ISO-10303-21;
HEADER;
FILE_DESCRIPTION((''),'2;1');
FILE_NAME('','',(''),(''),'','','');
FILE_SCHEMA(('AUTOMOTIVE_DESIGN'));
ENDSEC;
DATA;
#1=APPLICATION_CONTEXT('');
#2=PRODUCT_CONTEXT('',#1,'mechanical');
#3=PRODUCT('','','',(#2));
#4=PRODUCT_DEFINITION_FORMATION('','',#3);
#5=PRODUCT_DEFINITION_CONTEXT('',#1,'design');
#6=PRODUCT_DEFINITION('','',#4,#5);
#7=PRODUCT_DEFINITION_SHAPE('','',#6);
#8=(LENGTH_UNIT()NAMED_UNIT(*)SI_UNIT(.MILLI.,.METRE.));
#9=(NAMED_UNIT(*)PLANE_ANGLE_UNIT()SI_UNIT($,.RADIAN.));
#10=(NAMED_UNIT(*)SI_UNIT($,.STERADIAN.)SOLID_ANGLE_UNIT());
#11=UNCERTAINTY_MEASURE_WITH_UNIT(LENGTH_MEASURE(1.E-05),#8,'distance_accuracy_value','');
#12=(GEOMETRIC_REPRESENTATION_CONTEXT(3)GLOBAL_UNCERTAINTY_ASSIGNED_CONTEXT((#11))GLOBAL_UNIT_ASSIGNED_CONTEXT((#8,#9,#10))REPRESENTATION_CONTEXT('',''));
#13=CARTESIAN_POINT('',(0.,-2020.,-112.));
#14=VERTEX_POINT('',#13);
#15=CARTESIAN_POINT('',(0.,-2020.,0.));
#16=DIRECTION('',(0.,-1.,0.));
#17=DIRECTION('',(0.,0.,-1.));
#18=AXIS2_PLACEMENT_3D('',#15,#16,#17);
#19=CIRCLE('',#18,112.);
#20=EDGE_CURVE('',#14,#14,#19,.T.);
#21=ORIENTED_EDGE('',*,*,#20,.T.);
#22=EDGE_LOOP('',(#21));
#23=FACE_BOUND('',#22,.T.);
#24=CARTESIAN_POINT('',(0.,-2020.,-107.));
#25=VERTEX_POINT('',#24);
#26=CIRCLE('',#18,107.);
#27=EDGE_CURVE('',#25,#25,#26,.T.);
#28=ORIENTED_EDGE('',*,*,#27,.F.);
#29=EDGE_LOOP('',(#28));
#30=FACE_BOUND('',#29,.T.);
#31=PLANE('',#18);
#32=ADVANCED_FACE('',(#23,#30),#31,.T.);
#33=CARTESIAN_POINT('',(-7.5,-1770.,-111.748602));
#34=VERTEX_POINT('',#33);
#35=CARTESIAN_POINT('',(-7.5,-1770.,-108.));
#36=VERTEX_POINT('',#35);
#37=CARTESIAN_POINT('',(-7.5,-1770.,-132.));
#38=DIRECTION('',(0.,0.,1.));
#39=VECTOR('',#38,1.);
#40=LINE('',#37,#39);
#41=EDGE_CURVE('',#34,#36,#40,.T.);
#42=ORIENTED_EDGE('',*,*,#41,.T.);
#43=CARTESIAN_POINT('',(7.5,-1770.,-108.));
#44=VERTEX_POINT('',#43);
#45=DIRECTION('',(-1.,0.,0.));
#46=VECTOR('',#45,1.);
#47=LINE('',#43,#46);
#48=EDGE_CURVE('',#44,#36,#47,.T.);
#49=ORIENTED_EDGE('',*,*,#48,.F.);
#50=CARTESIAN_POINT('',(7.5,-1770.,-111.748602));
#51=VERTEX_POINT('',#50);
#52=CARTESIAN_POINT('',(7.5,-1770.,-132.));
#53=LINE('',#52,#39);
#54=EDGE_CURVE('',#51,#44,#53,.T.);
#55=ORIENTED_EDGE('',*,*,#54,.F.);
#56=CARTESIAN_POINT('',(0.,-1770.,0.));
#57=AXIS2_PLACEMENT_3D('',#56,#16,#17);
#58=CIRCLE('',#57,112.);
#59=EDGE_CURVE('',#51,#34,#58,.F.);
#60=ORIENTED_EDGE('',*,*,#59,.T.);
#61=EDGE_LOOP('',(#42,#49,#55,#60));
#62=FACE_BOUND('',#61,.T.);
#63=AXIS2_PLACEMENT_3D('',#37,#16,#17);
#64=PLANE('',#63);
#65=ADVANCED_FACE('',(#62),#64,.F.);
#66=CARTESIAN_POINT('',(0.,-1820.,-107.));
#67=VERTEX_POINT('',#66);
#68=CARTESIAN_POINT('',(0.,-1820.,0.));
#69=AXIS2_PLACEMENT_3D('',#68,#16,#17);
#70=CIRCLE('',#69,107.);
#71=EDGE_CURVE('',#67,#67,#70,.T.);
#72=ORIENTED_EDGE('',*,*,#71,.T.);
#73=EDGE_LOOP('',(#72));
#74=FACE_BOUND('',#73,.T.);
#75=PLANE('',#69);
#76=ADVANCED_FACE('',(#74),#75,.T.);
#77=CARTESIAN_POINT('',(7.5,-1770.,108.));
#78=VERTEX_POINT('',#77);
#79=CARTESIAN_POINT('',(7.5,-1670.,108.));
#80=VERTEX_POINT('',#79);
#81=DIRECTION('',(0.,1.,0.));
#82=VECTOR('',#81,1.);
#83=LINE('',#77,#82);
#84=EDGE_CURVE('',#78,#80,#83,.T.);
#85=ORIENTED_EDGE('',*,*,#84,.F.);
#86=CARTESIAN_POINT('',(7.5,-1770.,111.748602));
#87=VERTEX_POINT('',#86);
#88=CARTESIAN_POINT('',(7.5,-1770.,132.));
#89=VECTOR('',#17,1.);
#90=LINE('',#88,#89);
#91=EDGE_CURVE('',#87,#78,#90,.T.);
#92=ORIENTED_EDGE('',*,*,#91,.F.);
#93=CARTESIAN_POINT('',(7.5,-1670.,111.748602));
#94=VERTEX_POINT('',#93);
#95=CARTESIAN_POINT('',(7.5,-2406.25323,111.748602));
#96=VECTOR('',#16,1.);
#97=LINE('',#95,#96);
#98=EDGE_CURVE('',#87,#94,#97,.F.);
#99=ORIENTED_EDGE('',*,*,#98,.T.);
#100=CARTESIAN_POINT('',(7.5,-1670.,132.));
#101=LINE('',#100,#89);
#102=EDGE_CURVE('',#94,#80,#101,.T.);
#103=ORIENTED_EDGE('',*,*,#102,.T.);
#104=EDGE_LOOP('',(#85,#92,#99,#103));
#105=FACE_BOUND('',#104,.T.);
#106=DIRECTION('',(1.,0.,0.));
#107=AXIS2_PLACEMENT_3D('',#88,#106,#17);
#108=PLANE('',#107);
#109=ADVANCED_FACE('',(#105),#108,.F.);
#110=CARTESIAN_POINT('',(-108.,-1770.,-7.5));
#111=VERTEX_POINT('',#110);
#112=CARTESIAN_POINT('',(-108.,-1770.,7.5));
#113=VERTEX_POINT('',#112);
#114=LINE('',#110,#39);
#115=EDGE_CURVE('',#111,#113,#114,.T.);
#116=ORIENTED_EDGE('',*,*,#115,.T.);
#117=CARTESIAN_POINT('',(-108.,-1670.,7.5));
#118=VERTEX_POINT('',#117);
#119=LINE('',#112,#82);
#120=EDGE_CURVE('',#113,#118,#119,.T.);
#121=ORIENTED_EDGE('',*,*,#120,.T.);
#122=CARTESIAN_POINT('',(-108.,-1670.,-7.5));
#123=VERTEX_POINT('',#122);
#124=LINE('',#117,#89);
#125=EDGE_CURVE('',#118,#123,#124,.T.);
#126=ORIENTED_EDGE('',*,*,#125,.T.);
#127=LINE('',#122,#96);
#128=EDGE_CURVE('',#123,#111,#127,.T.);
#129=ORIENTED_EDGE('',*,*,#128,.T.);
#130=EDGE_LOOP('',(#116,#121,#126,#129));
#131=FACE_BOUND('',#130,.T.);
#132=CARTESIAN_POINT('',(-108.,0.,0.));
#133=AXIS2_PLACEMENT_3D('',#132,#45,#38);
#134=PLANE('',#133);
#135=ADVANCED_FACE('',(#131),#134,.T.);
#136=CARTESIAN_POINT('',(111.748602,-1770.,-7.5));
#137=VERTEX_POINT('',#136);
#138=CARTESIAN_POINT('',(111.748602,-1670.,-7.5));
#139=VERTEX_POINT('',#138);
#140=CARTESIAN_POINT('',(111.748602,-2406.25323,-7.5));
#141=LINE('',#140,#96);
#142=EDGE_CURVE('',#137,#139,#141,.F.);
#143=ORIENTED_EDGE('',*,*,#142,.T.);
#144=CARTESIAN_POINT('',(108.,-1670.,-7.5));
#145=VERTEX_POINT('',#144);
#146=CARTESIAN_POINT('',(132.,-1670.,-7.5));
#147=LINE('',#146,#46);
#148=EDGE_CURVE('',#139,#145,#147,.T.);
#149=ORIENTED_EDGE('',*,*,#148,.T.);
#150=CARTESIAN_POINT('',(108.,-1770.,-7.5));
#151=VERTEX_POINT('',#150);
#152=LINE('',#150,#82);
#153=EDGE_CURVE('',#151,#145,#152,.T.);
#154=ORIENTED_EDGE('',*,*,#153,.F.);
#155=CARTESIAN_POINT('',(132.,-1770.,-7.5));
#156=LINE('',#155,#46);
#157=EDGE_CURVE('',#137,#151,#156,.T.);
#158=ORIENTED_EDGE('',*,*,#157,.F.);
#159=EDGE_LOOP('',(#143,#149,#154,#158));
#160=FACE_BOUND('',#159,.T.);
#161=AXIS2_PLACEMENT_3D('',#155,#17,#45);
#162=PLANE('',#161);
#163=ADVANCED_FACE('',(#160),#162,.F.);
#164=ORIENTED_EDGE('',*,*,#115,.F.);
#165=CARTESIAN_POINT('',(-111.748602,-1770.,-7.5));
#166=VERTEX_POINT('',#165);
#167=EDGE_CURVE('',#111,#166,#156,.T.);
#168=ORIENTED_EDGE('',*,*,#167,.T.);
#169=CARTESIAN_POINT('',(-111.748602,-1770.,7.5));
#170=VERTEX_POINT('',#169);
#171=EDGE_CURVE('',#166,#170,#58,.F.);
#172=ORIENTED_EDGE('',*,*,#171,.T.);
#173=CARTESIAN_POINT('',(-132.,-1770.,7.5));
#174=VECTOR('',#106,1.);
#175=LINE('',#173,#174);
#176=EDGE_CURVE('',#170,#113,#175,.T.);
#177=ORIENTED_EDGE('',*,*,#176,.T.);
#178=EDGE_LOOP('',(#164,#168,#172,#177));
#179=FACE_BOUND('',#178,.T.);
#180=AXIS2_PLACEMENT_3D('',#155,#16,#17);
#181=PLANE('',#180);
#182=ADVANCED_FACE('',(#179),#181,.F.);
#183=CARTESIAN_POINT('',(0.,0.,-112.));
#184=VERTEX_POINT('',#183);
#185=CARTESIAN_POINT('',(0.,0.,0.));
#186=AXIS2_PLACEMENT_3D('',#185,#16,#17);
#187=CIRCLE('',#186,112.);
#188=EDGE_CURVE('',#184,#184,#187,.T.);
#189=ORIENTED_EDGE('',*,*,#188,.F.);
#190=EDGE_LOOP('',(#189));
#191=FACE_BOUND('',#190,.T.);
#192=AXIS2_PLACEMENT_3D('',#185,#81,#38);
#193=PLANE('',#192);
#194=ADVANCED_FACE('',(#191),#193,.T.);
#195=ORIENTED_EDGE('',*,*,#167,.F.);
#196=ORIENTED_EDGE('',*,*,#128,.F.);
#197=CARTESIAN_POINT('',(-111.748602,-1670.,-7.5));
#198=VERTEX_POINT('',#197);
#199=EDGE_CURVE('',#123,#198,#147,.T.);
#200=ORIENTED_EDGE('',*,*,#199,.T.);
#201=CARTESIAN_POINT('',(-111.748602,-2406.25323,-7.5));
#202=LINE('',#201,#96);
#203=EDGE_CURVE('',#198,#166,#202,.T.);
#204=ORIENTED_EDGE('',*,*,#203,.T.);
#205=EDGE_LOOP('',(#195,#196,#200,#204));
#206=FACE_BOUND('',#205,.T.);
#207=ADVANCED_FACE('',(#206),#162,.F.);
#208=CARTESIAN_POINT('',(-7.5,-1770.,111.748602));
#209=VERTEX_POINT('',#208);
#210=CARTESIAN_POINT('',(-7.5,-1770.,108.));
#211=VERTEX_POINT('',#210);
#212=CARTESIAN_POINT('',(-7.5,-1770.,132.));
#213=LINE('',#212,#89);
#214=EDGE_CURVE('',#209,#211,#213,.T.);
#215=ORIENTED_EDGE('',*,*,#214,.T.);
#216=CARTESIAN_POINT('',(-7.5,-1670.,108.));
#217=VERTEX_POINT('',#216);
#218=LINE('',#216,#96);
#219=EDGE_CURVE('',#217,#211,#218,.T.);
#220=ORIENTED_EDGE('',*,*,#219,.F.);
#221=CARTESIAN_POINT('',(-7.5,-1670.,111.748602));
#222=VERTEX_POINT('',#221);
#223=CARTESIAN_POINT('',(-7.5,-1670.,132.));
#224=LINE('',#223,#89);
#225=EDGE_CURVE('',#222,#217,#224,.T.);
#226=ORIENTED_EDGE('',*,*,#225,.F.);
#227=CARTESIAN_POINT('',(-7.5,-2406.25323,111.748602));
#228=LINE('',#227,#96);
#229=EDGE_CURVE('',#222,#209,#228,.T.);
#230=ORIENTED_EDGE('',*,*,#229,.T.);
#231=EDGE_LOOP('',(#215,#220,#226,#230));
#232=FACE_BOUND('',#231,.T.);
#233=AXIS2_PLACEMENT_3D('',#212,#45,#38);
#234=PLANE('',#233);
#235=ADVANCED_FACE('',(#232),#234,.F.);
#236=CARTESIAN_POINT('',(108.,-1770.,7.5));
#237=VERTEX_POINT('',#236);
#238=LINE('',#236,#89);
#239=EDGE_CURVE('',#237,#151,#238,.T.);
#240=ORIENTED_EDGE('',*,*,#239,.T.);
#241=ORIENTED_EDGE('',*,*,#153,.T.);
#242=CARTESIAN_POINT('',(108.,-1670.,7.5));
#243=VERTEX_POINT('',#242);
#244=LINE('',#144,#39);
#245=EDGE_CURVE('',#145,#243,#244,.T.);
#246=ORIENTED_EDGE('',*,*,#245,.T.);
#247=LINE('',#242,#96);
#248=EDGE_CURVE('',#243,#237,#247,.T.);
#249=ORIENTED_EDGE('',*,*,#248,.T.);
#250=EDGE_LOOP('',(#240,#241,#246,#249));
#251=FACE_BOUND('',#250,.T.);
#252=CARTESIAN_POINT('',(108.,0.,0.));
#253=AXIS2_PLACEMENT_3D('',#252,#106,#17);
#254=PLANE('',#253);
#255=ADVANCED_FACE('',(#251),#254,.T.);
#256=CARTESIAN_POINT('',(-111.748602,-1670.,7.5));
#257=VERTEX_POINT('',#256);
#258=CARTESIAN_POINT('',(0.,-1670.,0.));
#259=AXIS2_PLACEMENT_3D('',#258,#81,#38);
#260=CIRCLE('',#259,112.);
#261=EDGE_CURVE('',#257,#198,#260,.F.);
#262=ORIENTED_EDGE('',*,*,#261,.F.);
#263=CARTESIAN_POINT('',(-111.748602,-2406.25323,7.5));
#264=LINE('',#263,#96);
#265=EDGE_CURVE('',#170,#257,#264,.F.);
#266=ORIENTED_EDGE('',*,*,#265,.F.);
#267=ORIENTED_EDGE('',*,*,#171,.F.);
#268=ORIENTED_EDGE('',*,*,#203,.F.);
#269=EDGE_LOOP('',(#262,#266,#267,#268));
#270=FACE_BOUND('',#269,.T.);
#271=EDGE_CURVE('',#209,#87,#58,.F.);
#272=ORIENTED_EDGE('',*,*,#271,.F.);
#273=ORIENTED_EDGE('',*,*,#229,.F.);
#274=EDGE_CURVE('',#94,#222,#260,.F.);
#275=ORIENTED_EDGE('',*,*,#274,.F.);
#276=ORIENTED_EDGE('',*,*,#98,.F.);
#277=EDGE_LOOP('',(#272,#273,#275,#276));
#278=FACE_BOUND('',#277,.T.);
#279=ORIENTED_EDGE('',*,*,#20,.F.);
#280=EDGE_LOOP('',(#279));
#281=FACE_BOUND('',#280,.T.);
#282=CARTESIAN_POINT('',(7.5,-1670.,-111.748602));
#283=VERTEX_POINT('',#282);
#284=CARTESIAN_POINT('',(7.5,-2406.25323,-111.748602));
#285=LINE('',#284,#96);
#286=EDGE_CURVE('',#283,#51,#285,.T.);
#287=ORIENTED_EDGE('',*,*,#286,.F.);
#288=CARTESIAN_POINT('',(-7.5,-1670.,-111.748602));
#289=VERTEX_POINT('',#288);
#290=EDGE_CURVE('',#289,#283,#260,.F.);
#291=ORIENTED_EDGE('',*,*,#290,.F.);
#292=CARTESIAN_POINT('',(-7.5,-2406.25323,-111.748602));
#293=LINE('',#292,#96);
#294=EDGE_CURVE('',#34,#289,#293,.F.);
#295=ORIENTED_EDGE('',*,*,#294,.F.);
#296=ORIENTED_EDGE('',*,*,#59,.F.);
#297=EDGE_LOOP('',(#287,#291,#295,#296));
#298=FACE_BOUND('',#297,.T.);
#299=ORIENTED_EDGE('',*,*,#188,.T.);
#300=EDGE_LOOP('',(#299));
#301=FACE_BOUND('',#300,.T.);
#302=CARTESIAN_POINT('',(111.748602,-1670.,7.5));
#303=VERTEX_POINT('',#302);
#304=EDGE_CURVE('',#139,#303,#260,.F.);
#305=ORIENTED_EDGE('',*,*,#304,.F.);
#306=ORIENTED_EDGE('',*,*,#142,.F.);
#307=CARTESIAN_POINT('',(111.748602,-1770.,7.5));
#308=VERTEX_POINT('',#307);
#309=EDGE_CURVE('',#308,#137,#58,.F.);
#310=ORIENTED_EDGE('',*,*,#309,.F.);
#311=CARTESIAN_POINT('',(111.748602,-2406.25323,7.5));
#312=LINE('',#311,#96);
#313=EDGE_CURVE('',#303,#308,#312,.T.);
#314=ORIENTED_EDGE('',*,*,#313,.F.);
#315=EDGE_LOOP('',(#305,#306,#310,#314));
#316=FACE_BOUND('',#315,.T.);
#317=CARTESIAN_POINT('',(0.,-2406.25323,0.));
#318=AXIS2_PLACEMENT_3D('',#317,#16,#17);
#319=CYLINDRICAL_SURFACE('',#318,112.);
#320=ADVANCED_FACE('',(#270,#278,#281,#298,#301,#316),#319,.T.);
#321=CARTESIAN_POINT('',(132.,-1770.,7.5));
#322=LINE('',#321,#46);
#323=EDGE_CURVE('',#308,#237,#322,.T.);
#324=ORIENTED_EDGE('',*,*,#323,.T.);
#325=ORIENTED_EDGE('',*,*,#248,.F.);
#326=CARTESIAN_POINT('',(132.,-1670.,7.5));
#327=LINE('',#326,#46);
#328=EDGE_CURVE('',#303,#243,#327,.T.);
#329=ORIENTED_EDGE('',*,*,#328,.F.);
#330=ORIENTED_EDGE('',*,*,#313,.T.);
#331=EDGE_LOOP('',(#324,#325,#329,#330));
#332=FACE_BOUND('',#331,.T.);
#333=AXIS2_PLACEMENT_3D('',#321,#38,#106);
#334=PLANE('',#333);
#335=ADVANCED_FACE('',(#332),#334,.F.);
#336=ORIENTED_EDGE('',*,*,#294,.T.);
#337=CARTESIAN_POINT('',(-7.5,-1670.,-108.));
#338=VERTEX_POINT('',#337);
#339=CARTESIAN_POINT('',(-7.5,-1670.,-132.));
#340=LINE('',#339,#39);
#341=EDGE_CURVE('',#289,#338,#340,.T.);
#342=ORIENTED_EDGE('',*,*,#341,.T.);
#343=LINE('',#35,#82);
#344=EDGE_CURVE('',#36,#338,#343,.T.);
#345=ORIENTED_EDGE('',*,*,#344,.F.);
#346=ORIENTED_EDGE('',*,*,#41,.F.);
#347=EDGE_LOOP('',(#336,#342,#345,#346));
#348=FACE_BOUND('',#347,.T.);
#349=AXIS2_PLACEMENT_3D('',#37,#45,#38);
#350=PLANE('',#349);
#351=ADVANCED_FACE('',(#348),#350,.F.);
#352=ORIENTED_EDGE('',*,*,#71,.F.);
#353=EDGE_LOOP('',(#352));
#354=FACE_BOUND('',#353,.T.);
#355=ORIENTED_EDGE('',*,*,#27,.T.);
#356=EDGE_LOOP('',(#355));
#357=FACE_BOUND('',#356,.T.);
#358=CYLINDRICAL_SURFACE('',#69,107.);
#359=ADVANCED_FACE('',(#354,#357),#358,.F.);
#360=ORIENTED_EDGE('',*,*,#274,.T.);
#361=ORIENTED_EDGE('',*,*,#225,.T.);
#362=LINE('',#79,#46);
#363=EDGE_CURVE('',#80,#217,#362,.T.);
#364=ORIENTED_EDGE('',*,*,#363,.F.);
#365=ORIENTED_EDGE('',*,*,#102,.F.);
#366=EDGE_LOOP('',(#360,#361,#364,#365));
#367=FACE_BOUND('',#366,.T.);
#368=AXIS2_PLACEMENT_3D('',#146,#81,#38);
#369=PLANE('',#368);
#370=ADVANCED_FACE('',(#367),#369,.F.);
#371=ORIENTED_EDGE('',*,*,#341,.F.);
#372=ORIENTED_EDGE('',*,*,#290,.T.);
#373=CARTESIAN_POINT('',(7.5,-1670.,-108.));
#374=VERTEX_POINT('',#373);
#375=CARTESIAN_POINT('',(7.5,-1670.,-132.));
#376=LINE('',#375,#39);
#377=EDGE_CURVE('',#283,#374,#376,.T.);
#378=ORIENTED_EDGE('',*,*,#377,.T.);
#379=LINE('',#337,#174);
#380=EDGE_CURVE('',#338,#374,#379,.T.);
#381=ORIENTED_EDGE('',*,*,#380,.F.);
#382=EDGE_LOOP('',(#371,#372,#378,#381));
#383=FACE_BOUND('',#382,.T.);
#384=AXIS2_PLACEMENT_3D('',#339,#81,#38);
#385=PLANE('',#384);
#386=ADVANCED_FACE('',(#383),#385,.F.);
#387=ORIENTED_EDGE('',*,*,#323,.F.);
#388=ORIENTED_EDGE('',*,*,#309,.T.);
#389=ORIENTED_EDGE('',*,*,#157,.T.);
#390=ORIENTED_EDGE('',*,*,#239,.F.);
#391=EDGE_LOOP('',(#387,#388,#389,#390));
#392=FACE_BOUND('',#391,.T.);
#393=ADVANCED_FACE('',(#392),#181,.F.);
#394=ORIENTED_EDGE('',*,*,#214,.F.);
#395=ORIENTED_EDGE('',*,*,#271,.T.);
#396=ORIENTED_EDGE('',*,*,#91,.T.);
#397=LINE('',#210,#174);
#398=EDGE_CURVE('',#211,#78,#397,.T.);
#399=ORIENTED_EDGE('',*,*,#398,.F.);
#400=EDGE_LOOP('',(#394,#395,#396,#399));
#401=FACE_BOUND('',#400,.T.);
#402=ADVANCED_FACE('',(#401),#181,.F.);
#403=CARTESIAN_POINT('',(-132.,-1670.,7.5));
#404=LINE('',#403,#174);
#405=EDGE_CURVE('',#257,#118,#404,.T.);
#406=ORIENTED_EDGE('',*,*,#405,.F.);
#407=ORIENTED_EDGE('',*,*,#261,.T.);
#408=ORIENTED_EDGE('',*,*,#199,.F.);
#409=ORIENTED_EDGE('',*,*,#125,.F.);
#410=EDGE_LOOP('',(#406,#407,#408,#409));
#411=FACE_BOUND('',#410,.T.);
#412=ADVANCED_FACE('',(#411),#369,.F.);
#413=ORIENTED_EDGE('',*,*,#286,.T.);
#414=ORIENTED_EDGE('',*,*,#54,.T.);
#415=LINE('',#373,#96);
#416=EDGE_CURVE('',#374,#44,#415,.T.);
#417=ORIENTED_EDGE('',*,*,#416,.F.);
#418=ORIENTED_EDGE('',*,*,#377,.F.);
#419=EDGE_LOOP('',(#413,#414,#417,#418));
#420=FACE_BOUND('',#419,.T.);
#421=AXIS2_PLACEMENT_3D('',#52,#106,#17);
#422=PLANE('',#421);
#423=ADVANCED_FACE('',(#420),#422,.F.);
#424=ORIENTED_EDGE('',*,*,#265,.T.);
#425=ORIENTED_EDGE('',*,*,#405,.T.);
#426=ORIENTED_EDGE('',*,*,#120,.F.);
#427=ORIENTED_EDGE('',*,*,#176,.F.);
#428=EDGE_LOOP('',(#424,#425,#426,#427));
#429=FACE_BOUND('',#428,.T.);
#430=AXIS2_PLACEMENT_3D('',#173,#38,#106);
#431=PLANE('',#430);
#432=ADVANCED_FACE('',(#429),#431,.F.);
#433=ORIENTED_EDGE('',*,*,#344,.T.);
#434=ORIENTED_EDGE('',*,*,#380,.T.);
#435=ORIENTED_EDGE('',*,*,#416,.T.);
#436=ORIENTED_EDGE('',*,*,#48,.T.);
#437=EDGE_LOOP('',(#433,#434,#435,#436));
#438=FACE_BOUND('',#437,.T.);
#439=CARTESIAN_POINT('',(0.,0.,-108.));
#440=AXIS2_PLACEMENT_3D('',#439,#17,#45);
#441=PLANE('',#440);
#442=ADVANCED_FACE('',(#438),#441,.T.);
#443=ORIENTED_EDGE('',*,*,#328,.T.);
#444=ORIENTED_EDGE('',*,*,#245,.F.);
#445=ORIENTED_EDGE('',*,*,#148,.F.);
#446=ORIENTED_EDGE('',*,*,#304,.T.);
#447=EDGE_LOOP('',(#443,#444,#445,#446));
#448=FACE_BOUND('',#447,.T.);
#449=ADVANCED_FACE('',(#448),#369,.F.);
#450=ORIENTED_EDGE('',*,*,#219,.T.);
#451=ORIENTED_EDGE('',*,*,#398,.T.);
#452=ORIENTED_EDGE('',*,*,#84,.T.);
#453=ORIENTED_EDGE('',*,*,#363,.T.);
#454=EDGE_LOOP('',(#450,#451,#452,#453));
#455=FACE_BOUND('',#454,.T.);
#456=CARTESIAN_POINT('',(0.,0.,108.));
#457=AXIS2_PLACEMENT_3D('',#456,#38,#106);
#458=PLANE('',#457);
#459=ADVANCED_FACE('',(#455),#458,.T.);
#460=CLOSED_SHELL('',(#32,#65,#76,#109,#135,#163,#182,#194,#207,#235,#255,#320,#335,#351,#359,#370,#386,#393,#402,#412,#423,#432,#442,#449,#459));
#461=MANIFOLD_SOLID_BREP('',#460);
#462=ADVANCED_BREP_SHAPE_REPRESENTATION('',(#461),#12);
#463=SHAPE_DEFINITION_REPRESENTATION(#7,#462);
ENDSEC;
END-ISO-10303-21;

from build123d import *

# Parameters (mm, degrees)
SKETCH1_W           = 112
SKETCH1_H           = 2020
SKETCH2_W           = 15
SKETCH2_H           = 100
CUT_EXTRUDE1_DEPTH  = 132
SKETCH3_W           = 15
SKETCH3_H           = 100
BOSS_EXTRUDE1_DEPTH = 108
CIRPATTERN1_COUNT   = 4
SKETCH4_R           = 107
CUT_EXTRUDE2_DEPTH  = 200


with BuildPart() as part:
    # Sketch1 → Revolve1 (revolve)
    with BuildSketch(Plane.XY, mode=Mode.PRIVATE) as revolve1_sk:
        with Locations((56, -1010)):
            Rectangle(SKETCH1_W, SKETCH1_H)
    revolve(revolve1_sk.sketch.rotate(Axis((0, -2406.253229974, 0), (0, 1, 0)), 90), axis=Axis((0, -2406.253229974, 0), (0, 1, 0)))

    # Sketch2 → Cut-Extrude1 (cut)
    with BuildSketch(Plane.XY):
        with Locations((0, -1720)):
            Rectangle(SKETCH2_W, SKETCH2_H)
    cut_extrude1 = extrude(amount=-CUT_EXTRUDE1_DEPTH, mode=Mode.SUBTRACT)

    # Sketch3 → Boss-Extrude1 (add)
    with BuildSketch(Plane(origin=(0, 0, 0), x_dir=(-1, 0, 0), z_dir=(0, 0, -1))):
        with Locations((0, -1720)):
            Rectangle(SKETCH3_W, SKETCH3_H)
    boss_extrude1 = extrude(amount=BOSS_EXTRUDE1_DEPTH)

    # CirPattern1: Cut-Extrude1, Boss-Extrude1 ×4 about axis
    cirpattern1_axis = Axis((0, 0, 0), (0, 1, 0))
    add([cut_extrude1.rotate(cirpattern1_axis, i * 360 / CIRPATTERN1_COUNT) for i in range(1, CIRPATTERN1_COUNT)], mode=Mode.SUBTRACT)
    add([boss_extrude1.rotate(cirpattern1_axis, i * 360 / CIRPATTERN1_COUNT) for i in range(1, CIRPATTERN1_COUNT)])

    # Sketch4 → Cut-Extrude2 (cut)
    with BuildSketch(Plane.XZ.offset(2020)):
        with Locations(Location((0, 0, 0), (0, 0, 270))):
            Circle(SKETCH4_R)
    extrude(amount=-CUT_EXTRUDE2_DEPTH, mode=Mode.SUBTRACT)


solid = part.part
